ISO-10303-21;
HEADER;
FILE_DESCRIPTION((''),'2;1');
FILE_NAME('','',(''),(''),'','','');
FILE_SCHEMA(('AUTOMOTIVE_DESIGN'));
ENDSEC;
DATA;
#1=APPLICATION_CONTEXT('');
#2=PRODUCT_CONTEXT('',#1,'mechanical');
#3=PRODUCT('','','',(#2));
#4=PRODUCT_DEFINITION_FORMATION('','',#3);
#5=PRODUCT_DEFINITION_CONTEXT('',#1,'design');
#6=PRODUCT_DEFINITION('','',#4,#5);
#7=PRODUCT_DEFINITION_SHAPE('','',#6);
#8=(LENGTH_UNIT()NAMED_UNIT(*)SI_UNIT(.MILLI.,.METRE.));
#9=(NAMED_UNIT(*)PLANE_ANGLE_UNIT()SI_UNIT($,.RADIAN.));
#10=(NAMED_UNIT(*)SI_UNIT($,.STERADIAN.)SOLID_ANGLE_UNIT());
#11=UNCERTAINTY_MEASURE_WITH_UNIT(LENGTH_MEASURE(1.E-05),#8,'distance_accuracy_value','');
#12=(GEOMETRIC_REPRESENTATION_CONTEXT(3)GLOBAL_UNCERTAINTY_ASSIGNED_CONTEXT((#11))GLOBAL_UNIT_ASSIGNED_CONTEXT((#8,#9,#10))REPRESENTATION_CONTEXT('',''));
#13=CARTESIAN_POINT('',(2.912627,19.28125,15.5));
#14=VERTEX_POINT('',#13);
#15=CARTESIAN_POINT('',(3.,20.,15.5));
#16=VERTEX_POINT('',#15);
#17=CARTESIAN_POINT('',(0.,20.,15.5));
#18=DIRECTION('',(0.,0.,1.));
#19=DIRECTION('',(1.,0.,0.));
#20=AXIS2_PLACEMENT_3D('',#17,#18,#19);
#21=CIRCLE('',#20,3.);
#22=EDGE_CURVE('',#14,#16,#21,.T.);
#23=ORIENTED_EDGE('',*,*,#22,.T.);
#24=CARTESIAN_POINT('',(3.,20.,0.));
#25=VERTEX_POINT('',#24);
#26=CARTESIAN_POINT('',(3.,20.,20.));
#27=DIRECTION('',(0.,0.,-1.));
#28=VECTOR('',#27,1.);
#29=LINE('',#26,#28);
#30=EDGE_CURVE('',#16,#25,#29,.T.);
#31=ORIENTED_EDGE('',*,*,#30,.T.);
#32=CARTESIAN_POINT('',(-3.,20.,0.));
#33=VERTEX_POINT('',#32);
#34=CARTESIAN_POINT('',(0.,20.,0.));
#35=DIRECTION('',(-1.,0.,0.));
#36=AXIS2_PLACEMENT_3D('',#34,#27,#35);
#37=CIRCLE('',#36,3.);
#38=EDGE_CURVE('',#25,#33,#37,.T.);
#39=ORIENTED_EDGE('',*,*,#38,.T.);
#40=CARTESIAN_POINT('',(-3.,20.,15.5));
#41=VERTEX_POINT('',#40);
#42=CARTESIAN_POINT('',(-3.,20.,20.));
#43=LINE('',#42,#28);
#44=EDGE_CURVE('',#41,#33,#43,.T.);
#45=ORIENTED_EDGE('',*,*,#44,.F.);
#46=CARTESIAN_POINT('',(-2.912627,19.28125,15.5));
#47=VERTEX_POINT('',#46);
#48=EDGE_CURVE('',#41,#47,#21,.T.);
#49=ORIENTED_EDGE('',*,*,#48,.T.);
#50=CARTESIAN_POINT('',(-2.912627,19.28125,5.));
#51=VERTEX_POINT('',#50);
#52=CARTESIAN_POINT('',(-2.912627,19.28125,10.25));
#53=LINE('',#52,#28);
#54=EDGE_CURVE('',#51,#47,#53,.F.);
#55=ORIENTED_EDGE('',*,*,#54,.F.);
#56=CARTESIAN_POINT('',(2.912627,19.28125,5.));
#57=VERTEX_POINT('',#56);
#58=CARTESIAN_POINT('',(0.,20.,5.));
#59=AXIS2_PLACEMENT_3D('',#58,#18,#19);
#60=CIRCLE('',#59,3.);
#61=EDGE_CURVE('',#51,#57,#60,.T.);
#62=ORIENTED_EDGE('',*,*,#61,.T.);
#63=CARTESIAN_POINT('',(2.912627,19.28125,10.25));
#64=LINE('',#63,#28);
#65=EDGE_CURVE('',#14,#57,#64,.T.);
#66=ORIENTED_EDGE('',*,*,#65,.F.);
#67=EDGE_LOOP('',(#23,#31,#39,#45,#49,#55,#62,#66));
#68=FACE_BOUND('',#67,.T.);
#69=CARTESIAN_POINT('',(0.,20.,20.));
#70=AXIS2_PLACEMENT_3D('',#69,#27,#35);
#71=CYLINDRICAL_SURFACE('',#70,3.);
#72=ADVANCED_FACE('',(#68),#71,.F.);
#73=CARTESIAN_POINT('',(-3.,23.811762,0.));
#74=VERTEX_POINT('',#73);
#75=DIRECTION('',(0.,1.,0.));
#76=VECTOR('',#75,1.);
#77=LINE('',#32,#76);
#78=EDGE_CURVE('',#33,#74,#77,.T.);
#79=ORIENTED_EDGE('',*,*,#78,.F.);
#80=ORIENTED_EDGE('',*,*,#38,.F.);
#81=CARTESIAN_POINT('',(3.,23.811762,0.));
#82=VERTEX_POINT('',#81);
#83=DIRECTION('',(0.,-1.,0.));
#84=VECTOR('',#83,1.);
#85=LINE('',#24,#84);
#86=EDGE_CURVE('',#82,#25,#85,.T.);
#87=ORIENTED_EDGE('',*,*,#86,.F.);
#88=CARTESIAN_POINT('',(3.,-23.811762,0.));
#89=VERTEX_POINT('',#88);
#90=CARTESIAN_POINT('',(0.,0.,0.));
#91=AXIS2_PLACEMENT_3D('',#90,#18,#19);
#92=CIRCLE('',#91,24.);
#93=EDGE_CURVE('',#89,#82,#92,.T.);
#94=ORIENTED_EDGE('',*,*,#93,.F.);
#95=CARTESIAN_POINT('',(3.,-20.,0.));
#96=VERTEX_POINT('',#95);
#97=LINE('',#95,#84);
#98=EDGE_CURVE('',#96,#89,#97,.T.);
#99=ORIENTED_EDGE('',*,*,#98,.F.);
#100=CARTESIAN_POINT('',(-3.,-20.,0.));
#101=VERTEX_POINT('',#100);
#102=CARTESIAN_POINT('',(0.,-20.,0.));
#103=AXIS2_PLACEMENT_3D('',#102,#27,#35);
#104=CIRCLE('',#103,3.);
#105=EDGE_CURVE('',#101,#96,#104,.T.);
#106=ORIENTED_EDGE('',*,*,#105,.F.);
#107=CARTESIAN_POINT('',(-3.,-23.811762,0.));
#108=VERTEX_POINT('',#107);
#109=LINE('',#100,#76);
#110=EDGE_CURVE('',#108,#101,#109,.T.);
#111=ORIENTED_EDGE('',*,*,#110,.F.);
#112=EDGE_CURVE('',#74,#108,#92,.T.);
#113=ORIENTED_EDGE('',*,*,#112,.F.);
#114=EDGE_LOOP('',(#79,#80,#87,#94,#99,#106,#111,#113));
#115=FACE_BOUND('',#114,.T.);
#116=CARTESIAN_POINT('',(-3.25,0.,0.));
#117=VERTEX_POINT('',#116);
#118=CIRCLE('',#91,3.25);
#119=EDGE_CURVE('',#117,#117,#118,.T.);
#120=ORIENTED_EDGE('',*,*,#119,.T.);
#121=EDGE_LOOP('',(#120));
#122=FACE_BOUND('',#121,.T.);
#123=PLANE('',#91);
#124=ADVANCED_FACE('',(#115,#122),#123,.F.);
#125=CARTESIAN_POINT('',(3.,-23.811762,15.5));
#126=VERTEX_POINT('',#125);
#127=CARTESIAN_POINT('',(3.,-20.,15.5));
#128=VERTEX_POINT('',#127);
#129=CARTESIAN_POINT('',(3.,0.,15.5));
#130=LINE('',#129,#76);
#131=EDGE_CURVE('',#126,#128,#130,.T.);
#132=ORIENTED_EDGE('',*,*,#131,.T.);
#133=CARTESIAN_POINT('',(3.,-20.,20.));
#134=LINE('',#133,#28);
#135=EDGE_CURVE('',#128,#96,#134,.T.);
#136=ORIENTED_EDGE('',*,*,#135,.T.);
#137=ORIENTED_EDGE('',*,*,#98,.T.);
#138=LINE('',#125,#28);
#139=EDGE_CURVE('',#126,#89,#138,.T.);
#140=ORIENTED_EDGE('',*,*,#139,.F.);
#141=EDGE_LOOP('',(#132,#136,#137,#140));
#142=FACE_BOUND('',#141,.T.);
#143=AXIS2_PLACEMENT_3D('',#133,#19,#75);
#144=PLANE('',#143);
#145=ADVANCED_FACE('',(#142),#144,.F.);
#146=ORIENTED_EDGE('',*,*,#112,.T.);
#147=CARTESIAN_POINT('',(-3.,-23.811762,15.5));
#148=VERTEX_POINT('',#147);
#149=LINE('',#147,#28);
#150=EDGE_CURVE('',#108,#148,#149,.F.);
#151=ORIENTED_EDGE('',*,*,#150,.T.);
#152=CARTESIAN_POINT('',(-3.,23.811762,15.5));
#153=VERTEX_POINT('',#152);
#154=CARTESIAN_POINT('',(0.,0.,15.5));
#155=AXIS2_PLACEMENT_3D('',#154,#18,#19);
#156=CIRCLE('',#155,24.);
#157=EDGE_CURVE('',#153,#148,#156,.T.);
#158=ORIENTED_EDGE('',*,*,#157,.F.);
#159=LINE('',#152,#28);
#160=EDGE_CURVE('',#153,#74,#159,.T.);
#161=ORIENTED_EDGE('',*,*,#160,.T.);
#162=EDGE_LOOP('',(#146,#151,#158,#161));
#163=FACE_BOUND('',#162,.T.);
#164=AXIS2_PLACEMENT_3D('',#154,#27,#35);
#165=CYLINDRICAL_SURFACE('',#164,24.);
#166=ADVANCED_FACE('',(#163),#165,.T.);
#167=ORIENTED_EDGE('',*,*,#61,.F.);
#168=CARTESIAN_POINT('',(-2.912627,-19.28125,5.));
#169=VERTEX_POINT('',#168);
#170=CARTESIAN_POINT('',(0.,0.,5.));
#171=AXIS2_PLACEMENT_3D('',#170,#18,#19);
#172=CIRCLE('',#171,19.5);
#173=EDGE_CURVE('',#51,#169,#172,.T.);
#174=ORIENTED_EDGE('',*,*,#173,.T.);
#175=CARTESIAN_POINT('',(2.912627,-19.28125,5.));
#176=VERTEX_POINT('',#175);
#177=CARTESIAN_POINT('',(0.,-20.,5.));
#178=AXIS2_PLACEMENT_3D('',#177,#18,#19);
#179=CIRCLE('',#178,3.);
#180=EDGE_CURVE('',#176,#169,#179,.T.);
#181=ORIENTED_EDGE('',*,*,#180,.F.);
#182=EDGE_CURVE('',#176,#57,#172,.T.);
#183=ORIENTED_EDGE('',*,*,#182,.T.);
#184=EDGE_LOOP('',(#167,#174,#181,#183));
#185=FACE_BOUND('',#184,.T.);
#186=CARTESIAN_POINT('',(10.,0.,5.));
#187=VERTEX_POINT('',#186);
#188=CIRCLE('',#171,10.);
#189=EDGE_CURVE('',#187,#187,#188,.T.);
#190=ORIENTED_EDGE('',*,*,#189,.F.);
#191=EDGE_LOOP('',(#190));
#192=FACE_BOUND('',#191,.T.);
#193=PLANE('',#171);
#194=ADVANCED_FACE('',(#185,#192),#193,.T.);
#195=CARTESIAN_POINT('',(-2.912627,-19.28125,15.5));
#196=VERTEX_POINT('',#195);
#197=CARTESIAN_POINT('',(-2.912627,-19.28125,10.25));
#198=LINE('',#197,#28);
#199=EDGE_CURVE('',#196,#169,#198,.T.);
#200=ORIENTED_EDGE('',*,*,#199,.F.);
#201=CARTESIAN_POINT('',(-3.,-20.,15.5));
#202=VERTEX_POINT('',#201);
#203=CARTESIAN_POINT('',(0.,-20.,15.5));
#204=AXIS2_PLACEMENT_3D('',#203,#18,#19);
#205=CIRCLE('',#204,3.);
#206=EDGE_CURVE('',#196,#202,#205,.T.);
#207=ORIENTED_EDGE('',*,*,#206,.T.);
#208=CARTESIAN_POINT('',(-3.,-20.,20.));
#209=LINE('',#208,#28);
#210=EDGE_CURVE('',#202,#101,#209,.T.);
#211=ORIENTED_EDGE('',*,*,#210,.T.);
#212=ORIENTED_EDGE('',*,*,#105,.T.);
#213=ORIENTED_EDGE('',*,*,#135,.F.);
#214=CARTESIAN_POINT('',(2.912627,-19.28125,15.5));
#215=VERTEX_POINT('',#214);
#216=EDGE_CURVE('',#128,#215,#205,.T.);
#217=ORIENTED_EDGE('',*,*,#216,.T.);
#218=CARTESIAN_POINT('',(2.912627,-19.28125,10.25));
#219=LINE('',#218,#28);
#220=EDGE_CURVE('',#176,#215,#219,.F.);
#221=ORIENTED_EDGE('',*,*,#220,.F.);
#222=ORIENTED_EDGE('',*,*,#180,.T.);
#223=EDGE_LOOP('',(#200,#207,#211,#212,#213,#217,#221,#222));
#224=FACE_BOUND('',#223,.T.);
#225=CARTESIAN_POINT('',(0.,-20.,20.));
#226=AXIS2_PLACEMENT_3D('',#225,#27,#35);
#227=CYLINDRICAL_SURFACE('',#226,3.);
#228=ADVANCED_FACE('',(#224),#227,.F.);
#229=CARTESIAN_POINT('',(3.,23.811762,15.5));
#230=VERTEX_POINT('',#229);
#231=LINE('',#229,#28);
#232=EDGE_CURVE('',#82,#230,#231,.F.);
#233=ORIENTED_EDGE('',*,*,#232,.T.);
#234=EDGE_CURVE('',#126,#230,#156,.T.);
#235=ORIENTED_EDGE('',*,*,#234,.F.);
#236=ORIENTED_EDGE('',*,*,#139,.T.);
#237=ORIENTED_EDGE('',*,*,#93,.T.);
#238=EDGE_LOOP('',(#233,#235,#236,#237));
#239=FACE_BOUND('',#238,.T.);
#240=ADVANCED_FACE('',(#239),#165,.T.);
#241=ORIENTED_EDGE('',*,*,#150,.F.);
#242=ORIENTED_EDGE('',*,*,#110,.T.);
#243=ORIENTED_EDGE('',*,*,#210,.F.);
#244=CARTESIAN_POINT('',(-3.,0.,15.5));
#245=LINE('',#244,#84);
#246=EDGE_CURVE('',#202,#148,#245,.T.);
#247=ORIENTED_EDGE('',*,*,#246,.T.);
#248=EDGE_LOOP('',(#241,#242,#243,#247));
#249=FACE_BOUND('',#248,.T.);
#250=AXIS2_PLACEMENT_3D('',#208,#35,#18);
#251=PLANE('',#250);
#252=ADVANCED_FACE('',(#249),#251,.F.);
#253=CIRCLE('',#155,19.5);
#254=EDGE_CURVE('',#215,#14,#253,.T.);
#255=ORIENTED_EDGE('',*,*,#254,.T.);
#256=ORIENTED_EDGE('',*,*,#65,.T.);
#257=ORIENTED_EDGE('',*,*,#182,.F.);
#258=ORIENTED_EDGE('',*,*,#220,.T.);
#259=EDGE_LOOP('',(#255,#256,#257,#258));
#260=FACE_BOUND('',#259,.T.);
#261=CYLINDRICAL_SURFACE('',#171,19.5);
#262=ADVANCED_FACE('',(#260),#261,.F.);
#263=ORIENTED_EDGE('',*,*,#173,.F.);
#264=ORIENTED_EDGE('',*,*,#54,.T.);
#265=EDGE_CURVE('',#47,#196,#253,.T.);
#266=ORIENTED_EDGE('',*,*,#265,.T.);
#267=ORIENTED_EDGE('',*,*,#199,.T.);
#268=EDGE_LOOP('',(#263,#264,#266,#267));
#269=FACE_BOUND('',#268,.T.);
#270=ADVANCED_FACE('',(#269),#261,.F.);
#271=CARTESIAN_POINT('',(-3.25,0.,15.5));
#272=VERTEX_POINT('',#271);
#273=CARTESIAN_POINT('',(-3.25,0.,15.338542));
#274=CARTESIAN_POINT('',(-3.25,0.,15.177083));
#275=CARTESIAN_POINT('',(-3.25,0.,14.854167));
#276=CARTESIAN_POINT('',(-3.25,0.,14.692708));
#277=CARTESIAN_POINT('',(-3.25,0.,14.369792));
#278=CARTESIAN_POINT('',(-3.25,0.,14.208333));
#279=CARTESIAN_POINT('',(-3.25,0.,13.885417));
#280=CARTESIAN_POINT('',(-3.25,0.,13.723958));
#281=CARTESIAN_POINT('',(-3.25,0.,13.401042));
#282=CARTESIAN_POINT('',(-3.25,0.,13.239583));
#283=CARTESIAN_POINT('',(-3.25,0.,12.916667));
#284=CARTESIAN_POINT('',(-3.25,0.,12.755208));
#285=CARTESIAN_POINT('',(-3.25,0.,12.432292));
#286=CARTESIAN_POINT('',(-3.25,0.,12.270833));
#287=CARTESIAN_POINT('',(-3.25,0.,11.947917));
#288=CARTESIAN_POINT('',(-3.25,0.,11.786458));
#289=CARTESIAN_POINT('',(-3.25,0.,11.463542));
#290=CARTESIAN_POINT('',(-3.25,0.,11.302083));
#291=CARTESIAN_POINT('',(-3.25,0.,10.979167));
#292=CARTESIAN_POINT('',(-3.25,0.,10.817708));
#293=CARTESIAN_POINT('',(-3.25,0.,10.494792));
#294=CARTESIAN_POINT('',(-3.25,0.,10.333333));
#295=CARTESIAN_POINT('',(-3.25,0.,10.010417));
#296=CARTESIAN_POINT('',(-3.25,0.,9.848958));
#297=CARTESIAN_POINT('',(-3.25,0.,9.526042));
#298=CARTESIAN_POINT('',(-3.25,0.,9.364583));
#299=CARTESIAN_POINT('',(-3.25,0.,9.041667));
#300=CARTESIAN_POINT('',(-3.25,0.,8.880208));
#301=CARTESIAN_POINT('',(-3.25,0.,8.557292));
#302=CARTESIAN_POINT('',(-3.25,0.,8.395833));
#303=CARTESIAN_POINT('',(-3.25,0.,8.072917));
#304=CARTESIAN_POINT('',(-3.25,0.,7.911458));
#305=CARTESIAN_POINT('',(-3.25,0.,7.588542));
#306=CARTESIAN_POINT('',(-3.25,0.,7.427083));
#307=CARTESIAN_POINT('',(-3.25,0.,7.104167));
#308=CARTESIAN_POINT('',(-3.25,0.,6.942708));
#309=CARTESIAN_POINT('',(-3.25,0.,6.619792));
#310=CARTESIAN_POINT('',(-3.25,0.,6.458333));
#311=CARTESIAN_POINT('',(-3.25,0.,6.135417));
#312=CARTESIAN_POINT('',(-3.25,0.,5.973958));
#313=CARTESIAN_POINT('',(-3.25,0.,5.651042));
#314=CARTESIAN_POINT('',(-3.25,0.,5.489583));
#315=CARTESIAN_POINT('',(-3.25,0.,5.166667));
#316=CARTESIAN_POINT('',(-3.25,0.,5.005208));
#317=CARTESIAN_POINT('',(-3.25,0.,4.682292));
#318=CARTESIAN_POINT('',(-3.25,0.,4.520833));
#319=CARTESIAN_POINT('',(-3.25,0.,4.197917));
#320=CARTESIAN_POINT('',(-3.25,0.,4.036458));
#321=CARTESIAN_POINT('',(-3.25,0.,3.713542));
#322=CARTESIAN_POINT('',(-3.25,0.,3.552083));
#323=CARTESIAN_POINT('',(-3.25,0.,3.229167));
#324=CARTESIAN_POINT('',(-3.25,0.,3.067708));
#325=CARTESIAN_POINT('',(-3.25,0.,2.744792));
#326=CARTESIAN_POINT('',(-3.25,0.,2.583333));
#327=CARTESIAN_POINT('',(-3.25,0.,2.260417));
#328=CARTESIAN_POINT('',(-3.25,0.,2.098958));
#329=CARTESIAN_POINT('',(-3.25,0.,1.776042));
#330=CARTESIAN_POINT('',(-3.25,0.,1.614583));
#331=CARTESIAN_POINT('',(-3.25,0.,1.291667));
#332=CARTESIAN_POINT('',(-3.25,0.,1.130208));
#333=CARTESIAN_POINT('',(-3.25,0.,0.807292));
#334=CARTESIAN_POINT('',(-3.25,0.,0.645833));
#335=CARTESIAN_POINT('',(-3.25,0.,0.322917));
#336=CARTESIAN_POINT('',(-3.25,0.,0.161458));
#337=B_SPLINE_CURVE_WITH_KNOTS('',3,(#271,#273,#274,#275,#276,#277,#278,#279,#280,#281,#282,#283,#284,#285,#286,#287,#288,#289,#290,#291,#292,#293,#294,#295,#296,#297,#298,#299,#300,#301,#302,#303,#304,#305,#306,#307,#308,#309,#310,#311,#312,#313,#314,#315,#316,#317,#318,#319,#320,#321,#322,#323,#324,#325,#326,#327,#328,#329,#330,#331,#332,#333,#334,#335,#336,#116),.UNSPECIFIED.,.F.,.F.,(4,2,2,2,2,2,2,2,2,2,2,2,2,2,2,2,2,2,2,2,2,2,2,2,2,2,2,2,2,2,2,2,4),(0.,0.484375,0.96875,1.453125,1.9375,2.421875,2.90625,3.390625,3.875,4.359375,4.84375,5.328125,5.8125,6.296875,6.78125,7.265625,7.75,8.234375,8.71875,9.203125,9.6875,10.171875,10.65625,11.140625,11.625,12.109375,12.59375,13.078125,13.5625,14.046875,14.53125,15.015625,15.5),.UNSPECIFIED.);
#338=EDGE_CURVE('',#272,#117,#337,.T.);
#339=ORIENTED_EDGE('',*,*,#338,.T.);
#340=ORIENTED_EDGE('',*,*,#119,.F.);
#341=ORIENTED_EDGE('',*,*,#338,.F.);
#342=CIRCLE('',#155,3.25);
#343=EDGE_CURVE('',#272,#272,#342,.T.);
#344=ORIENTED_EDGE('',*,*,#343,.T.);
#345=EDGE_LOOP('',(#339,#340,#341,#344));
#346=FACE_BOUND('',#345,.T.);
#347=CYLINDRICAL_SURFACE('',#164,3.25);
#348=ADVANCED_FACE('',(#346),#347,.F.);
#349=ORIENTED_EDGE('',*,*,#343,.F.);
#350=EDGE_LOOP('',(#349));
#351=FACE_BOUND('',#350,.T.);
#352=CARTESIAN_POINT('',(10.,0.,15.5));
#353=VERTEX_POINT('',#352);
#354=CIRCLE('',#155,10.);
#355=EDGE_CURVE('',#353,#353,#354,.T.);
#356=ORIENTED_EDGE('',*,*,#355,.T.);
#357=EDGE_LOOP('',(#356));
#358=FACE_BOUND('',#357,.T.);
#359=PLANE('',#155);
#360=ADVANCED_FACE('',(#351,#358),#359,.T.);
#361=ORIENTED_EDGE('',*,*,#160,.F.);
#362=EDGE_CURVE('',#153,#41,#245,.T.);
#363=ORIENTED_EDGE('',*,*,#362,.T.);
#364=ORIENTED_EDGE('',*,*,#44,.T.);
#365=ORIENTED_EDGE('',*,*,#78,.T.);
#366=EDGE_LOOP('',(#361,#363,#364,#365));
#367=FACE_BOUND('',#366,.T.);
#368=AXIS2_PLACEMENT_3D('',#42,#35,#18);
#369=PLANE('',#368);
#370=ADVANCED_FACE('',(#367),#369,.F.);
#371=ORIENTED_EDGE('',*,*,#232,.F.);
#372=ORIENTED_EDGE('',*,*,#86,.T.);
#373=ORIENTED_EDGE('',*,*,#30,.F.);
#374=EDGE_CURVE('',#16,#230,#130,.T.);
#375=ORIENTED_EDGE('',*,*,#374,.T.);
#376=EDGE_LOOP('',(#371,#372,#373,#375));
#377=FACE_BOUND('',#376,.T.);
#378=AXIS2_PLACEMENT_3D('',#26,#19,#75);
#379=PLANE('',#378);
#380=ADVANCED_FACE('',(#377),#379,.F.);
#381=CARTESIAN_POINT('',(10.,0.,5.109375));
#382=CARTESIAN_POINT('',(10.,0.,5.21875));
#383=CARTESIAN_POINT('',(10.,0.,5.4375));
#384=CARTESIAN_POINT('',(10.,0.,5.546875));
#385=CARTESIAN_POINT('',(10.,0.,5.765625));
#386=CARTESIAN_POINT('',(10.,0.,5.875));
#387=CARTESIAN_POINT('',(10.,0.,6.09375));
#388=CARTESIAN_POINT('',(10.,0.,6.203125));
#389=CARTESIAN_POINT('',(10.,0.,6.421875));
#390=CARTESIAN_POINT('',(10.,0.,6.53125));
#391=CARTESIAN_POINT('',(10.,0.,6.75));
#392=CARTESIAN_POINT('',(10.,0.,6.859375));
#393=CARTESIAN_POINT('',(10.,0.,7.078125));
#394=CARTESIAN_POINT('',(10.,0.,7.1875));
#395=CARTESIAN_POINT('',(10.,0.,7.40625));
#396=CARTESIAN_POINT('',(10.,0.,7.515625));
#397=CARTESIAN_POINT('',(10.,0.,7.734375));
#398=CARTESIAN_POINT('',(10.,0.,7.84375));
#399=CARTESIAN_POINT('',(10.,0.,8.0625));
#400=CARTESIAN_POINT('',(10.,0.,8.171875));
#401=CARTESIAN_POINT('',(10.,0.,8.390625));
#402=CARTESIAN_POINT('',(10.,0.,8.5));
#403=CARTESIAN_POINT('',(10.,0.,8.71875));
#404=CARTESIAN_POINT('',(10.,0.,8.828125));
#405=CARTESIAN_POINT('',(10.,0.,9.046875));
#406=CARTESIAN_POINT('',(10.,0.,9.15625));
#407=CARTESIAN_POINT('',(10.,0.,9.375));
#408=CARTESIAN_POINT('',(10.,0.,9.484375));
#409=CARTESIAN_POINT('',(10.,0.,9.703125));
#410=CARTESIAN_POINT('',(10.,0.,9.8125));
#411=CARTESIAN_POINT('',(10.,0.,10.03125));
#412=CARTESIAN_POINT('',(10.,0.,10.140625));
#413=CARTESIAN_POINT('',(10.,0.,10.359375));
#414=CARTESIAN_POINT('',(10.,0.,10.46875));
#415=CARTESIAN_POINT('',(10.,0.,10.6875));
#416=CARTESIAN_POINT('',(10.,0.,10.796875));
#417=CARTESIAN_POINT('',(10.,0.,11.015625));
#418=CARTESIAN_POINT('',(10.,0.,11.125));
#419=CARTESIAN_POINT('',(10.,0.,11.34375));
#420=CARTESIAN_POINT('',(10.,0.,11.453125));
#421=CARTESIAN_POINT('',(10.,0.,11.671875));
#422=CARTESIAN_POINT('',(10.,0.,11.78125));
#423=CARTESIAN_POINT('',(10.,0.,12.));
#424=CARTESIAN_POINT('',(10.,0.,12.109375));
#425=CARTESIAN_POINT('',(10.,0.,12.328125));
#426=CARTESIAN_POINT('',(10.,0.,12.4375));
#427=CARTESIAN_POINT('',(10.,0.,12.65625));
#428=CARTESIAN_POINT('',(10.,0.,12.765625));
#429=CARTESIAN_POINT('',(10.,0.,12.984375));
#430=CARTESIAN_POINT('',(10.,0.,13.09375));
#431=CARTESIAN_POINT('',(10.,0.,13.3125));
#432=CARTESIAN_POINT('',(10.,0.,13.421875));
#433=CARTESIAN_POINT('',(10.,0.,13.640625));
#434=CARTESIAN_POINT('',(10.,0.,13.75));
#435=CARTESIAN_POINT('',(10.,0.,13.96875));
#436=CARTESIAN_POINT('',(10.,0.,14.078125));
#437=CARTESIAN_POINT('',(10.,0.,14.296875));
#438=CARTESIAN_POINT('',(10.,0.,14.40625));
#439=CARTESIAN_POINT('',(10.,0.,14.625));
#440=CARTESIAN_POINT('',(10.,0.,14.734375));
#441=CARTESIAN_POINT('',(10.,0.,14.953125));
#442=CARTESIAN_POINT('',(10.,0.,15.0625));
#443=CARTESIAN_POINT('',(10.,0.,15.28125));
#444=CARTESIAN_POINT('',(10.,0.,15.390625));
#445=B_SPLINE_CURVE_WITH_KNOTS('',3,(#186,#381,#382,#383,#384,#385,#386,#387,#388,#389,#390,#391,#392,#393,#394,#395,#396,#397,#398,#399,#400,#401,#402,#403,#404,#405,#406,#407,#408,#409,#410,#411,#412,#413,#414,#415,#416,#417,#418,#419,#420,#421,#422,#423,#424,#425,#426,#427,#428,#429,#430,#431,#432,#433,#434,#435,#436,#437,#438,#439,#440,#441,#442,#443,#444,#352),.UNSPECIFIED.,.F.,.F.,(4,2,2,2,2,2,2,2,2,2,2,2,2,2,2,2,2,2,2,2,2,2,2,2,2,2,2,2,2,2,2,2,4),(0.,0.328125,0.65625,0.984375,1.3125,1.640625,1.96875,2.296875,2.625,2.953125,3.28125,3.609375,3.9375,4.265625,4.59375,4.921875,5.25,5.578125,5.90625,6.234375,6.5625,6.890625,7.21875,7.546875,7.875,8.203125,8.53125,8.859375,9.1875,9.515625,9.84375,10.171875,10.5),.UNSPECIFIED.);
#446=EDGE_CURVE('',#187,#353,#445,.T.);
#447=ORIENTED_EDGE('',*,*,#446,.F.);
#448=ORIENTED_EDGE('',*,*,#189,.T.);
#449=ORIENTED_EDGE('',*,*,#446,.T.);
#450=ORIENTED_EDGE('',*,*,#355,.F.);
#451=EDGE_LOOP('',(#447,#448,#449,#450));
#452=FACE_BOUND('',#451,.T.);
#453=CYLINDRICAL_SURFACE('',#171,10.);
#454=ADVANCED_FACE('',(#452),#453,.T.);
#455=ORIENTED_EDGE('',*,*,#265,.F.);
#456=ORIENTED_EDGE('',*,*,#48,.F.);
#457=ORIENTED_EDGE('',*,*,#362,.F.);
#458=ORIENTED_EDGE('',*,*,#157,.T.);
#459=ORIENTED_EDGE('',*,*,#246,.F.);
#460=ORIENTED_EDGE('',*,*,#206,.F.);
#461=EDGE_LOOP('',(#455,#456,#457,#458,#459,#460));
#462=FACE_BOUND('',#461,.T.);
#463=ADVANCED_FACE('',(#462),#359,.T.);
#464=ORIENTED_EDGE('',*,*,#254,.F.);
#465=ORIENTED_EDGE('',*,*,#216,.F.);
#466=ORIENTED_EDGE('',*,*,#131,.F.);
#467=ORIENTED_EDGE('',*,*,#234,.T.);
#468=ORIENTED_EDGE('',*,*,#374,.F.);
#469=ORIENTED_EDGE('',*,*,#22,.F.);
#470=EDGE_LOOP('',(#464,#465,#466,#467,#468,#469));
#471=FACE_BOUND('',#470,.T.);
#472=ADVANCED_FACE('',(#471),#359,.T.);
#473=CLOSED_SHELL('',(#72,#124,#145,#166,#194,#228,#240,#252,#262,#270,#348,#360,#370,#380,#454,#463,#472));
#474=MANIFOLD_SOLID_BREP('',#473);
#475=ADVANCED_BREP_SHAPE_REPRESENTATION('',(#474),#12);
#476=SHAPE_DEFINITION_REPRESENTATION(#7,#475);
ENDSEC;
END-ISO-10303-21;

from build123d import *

# Parameters (mm, degrees)
SKETCH_1_R          = 24
SKETCH_1_R_2        = 3.25
EXTRUDE_1_DEPTH     = 15.5
SKETCH_2_R          = 19.5
SKETCH_2_R_2        = 10
CUT_EXTRUDE_1_DEPTH = 10.5
CUT_EXTRUDE_2_DEPTH = 20


with BuildPart() as part:
    # Эскиз1 → Вытянуть1 (new body)
    with BuildSketch(Plane.XY):
        Circle(SKETCH_1_R)
        with Locations(Location((0, 0, 0), (0, 0, 180))):
            Circle(SKETCH_1_R_2, mode=Mode.SUBTRACT)
    extrude(amount=EXTRUDE_1_DEPTH)

    # Эскиз2 → Вырез-Вытянуть1 (cut)
    with BuildSketch(Plane.XY.offset(15.5)):
        Circle(SKETCH_2_R)
        Circle(SKETCH_2_R_2, mode=Mode.SUBTRACT)
    extrude(amount=-CUT_EXTRUDE_1_DEPTH, mode=Mode.SUBTRACT)

    # Эскиз3 → Вырез-Вытянуть2 (cut)
    with BuildSketch(Plane(origin=(0, 0, 0), x_dir=(-1, 0, 0), z_dir=(0, 0, -1))):
        with BuildLine():
            Line((3, 20), (3, 23.8117618))
            ThreePointArc((3, 23.8117618), (0, 24), (-3, 23.8117618))
            Line((-3, 23.8117618), (-3, 20))
            ThreePointArc((-3, 20), (0, 17), (3, 20))
        make_face()
        with BuildLine():
            Line((3, -20), (3, -23.8117618))
            ThreePointArc((3, -23.8117618), (0, -24), (-3, -23.8117618))
            Line((-3, -23.8117618), (-3, -20))
            ThreePointArc((-3, -20), (0, -17), (3, -20))
        make_face()
    extrude(amount=-CUT_EXTRUDE_2_DEPTH, mode=Mode.SUBTRACT)


solid = part.part
